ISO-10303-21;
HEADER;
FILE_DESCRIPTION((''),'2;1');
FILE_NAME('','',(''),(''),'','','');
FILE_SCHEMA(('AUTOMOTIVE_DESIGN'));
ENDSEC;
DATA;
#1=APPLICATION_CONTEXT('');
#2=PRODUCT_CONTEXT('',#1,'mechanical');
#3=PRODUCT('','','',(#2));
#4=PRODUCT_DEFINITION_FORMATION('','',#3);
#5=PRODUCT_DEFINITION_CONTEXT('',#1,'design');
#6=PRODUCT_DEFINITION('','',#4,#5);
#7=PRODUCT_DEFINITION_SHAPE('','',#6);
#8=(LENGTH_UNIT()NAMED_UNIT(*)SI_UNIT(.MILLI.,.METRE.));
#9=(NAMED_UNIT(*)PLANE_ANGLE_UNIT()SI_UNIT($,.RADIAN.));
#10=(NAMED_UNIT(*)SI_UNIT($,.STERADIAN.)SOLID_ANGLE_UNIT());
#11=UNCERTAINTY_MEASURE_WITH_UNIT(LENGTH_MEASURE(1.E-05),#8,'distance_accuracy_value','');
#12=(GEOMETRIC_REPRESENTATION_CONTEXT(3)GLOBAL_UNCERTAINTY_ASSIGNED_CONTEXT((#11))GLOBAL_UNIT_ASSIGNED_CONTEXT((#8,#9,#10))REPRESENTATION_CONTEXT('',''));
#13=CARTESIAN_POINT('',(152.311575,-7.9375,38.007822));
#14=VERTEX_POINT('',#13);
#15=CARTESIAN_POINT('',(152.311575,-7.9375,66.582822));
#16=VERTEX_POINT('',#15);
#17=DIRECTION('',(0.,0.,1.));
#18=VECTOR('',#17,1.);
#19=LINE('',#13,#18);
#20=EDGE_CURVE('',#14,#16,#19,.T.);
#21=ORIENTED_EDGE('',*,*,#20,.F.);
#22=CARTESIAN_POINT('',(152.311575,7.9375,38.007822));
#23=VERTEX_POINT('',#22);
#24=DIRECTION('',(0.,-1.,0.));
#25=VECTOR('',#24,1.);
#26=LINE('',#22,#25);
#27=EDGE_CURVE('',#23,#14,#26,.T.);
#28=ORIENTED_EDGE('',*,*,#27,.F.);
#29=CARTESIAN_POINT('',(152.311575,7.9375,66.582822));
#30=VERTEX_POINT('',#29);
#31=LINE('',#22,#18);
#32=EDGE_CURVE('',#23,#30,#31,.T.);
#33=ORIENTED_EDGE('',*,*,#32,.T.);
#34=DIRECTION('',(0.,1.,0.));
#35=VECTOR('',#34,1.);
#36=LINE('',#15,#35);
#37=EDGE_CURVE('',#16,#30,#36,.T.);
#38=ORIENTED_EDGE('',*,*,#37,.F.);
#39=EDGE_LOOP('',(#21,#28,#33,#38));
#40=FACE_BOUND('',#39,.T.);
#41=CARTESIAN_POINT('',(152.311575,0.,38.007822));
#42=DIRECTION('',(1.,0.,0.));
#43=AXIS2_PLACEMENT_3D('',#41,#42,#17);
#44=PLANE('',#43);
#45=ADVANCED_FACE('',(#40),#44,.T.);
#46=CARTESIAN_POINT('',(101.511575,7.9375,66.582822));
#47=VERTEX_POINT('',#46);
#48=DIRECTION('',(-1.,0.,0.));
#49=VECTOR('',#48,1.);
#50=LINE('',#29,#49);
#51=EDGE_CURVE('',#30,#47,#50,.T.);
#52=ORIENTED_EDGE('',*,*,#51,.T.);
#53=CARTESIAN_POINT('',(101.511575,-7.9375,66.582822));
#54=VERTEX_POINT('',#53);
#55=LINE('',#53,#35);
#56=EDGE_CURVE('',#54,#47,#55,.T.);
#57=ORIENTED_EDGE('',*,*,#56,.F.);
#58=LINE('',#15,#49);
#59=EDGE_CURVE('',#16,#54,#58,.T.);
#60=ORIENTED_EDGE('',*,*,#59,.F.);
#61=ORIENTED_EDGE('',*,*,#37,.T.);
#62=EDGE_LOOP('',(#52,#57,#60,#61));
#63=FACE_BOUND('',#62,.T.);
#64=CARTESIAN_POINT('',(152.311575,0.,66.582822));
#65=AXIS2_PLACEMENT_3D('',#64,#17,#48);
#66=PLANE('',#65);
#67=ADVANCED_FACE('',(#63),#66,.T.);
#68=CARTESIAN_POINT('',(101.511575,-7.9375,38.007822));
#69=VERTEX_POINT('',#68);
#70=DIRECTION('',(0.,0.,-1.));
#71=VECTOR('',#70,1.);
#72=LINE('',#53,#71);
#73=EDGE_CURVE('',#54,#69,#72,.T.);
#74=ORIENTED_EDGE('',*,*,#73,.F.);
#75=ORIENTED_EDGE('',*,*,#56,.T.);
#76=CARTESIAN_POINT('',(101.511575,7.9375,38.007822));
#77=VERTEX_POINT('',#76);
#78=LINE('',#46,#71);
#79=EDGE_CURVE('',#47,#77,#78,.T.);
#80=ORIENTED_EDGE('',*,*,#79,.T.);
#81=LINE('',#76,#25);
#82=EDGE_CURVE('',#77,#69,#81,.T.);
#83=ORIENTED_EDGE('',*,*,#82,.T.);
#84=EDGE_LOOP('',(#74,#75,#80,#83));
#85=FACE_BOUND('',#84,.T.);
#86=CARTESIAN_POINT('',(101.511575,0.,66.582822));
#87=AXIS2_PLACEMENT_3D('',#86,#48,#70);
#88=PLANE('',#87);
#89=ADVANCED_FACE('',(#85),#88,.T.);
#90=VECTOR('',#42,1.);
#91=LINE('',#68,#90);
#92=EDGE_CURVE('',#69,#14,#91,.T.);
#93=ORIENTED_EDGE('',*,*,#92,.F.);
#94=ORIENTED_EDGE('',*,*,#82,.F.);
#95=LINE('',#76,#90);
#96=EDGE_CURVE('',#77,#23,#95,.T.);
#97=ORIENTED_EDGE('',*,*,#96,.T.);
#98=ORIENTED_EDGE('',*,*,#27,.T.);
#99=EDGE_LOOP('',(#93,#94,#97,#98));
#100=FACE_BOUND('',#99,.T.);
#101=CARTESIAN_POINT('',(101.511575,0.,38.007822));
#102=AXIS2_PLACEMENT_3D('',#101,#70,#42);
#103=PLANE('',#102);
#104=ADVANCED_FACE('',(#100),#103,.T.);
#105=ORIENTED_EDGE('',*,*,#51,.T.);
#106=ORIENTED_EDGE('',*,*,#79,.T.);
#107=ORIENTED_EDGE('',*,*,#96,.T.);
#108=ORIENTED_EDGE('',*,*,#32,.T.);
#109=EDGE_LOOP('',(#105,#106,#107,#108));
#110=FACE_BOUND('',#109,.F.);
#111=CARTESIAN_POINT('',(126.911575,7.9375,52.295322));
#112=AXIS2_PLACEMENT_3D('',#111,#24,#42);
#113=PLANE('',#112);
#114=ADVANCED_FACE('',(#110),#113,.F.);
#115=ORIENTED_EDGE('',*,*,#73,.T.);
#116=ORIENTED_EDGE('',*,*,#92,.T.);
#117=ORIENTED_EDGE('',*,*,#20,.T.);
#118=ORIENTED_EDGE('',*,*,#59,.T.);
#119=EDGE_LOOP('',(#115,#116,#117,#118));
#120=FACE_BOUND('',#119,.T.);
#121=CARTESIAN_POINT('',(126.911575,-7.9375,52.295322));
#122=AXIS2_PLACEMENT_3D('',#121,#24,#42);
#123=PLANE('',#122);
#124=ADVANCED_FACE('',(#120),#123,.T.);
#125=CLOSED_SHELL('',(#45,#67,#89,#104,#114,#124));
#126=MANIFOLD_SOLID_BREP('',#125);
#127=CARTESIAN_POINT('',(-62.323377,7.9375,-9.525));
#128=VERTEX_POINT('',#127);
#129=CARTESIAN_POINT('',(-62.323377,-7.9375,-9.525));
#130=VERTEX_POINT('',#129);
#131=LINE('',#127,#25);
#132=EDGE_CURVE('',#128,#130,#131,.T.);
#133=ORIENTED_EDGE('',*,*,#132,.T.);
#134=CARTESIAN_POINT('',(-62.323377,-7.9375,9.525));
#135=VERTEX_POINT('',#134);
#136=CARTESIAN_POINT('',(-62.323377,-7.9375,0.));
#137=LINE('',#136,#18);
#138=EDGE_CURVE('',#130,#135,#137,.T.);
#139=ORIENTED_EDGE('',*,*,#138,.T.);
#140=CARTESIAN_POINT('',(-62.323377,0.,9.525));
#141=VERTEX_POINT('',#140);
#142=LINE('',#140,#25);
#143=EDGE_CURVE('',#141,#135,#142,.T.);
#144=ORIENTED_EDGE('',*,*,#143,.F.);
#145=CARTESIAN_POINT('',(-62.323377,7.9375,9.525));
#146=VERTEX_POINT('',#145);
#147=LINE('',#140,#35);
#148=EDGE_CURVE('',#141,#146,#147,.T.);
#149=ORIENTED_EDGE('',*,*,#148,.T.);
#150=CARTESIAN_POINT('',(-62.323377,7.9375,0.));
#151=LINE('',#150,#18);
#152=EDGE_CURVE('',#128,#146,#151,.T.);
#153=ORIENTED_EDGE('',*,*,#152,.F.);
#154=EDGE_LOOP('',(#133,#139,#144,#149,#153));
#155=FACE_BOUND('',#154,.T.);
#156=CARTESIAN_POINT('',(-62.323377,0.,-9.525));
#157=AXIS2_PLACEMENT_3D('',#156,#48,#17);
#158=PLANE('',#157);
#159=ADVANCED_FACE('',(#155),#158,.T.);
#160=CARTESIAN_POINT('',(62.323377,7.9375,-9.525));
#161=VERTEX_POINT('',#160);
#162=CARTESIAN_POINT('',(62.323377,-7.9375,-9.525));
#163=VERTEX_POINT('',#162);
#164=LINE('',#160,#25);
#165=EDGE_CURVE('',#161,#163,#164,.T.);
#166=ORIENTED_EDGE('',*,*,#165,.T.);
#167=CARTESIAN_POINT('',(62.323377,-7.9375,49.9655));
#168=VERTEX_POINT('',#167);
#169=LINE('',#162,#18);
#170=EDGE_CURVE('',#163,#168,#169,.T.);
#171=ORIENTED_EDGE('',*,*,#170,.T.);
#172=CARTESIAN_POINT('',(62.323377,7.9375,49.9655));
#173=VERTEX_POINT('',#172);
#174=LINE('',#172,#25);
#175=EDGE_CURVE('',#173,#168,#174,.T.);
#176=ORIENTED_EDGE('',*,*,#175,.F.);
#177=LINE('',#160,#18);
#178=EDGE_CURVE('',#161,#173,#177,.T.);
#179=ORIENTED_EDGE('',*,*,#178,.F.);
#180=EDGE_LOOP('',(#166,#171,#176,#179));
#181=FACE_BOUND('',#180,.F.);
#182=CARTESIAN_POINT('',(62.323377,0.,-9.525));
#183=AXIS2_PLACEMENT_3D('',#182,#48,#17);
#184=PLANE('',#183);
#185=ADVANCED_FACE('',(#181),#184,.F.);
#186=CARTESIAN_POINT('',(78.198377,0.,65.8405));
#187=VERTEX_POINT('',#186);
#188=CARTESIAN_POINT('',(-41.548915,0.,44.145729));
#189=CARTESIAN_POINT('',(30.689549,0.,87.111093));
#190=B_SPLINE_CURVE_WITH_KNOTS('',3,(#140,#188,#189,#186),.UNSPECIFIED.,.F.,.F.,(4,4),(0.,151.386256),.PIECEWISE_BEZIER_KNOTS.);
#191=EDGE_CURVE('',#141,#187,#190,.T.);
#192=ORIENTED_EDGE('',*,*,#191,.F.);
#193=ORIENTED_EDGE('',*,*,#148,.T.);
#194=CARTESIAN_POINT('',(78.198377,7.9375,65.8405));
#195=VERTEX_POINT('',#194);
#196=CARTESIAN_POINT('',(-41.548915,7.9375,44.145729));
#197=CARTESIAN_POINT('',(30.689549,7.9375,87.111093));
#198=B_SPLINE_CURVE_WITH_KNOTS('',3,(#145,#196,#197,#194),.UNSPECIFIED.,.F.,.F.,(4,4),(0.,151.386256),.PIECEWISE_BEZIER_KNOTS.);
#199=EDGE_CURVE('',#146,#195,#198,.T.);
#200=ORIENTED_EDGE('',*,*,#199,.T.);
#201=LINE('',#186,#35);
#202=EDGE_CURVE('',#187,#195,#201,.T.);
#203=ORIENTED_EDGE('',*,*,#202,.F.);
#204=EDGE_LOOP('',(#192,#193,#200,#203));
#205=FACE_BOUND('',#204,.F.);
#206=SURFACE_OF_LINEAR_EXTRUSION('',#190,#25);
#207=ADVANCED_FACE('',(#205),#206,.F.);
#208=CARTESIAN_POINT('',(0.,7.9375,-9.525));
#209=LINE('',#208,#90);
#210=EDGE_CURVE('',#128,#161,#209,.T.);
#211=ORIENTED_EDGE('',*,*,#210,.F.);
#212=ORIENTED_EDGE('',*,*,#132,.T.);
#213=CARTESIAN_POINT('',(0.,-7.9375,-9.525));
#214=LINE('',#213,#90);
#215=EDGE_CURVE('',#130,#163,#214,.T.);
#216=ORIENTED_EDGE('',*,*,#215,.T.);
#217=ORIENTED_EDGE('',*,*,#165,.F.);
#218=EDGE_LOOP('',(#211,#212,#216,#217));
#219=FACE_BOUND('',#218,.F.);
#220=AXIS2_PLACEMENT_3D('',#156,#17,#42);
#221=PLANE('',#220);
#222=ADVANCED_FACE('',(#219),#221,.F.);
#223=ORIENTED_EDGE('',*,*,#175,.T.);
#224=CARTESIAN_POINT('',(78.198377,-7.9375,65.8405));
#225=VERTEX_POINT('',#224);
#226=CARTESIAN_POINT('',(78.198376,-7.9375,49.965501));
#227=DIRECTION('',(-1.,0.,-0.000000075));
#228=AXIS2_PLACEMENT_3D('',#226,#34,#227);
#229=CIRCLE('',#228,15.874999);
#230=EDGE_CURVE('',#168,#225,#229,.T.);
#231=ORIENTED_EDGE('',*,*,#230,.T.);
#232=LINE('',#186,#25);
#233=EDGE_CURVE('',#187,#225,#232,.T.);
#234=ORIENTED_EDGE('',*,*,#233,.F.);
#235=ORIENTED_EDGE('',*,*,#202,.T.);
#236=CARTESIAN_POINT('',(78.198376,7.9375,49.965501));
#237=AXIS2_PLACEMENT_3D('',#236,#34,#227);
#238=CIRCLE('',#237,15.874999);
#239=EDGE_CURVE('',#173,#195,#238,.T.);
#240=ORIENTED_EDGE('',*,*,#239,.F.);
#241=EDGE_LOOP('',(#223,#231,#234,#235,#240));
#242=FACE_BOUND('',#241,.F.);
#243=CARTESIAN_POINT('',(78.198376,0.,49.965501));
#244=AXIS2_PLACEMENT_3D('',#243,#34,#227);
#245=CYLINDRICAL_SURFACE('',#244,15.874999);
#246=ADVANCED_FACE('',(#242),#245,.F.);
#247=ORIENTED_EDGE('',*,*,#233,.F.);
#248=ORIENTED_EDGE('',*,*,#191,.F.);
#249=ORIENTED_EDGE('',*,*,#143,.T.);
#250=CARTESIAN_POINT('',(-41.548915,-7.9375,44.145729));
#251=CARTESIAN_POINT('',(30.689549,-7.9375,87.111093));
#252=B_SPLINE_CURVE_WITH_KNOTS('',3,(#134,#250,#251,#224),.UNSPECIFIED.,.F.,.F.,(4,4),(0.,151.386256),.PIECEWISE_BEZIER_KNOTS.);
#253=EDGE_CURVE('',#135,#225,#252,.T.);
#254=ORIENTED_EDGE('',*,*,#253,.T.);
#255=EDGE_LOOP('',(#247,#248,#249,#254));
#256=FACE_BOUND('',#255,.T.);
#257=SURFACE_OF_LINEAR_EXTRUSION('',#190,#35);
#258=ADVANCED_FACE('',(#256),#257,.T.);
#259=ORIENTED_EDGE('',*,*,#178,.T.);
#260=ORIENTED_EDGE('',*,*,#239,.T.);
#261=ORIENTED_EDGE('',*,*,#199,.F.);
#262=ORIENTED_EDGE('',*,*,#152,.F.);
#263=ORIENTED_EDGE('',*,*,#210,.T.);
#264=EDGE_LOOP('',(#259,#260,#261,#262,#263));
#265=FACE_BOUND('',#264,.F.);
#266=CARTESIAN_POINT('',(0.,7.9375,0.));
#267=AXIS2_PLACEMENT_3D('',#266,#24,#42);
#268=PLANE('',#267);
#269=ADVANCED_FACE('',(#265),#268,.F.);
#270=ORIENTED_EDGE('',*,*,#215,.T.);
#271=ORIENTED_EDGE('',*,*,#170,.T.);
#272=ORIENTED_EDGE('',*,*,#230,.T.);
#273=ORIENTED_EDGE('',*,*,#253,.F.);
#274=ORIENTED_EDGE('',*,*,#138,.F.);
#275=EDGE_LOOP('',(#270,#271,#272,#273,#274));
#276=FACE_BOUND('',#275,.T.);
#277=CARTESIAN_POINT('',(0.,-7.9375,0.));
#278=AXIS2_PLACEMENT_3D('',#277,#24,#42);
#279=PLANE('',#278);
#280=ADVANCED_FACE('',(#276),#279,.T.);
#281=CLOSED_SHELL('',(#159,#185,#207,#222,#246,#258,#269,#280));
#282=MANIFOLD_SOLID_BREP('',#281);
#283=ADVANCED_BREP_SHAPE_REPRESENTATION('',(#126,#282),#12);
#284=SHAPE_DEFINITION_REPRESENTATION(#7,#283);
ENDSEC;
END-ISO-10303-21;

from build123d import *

# Parameters (mm, degrees)
F0_W     = 124.646754
F0_H     = 19.05
F1_DEPTH = 7.9375


with BuildPart() as f1:
    # F0 (on Front) → F1 (new body, symmetric)
    with BuildSketch(Plane.XZ):
        Rectangle(F0_W, F0_H)
        with BuildLine():
            add(Edge.make_bspline(
                [(-62.323377, 9.525), (-41.548915, 44.145729), (30.689549, 87.111093), (78.198377, 65.8405)],
                knots=[0, 0, 0, 0, 151.386256, 151.386256, 151.386256, 151.386256], degree=3))
            Line((-62.323377, 9.525), (62.323377, 9.525))
            Line((62.323377, 9.525), (62.323377, 49.9655))
            ThreePointArc((62.323377, 49.9655), (66.973056, 61.19082), (78.198377, 65.8405))
        make_face()
        Polygon((101.511575, 66.582822), (101.511575, 65.8405), (101.511575, 38.007822), (152.311575, 38.007822), (152.311575, 66.582822), align=None)
    extrude(amount=F1_DEPTH, both=True)


solid = f1.part
